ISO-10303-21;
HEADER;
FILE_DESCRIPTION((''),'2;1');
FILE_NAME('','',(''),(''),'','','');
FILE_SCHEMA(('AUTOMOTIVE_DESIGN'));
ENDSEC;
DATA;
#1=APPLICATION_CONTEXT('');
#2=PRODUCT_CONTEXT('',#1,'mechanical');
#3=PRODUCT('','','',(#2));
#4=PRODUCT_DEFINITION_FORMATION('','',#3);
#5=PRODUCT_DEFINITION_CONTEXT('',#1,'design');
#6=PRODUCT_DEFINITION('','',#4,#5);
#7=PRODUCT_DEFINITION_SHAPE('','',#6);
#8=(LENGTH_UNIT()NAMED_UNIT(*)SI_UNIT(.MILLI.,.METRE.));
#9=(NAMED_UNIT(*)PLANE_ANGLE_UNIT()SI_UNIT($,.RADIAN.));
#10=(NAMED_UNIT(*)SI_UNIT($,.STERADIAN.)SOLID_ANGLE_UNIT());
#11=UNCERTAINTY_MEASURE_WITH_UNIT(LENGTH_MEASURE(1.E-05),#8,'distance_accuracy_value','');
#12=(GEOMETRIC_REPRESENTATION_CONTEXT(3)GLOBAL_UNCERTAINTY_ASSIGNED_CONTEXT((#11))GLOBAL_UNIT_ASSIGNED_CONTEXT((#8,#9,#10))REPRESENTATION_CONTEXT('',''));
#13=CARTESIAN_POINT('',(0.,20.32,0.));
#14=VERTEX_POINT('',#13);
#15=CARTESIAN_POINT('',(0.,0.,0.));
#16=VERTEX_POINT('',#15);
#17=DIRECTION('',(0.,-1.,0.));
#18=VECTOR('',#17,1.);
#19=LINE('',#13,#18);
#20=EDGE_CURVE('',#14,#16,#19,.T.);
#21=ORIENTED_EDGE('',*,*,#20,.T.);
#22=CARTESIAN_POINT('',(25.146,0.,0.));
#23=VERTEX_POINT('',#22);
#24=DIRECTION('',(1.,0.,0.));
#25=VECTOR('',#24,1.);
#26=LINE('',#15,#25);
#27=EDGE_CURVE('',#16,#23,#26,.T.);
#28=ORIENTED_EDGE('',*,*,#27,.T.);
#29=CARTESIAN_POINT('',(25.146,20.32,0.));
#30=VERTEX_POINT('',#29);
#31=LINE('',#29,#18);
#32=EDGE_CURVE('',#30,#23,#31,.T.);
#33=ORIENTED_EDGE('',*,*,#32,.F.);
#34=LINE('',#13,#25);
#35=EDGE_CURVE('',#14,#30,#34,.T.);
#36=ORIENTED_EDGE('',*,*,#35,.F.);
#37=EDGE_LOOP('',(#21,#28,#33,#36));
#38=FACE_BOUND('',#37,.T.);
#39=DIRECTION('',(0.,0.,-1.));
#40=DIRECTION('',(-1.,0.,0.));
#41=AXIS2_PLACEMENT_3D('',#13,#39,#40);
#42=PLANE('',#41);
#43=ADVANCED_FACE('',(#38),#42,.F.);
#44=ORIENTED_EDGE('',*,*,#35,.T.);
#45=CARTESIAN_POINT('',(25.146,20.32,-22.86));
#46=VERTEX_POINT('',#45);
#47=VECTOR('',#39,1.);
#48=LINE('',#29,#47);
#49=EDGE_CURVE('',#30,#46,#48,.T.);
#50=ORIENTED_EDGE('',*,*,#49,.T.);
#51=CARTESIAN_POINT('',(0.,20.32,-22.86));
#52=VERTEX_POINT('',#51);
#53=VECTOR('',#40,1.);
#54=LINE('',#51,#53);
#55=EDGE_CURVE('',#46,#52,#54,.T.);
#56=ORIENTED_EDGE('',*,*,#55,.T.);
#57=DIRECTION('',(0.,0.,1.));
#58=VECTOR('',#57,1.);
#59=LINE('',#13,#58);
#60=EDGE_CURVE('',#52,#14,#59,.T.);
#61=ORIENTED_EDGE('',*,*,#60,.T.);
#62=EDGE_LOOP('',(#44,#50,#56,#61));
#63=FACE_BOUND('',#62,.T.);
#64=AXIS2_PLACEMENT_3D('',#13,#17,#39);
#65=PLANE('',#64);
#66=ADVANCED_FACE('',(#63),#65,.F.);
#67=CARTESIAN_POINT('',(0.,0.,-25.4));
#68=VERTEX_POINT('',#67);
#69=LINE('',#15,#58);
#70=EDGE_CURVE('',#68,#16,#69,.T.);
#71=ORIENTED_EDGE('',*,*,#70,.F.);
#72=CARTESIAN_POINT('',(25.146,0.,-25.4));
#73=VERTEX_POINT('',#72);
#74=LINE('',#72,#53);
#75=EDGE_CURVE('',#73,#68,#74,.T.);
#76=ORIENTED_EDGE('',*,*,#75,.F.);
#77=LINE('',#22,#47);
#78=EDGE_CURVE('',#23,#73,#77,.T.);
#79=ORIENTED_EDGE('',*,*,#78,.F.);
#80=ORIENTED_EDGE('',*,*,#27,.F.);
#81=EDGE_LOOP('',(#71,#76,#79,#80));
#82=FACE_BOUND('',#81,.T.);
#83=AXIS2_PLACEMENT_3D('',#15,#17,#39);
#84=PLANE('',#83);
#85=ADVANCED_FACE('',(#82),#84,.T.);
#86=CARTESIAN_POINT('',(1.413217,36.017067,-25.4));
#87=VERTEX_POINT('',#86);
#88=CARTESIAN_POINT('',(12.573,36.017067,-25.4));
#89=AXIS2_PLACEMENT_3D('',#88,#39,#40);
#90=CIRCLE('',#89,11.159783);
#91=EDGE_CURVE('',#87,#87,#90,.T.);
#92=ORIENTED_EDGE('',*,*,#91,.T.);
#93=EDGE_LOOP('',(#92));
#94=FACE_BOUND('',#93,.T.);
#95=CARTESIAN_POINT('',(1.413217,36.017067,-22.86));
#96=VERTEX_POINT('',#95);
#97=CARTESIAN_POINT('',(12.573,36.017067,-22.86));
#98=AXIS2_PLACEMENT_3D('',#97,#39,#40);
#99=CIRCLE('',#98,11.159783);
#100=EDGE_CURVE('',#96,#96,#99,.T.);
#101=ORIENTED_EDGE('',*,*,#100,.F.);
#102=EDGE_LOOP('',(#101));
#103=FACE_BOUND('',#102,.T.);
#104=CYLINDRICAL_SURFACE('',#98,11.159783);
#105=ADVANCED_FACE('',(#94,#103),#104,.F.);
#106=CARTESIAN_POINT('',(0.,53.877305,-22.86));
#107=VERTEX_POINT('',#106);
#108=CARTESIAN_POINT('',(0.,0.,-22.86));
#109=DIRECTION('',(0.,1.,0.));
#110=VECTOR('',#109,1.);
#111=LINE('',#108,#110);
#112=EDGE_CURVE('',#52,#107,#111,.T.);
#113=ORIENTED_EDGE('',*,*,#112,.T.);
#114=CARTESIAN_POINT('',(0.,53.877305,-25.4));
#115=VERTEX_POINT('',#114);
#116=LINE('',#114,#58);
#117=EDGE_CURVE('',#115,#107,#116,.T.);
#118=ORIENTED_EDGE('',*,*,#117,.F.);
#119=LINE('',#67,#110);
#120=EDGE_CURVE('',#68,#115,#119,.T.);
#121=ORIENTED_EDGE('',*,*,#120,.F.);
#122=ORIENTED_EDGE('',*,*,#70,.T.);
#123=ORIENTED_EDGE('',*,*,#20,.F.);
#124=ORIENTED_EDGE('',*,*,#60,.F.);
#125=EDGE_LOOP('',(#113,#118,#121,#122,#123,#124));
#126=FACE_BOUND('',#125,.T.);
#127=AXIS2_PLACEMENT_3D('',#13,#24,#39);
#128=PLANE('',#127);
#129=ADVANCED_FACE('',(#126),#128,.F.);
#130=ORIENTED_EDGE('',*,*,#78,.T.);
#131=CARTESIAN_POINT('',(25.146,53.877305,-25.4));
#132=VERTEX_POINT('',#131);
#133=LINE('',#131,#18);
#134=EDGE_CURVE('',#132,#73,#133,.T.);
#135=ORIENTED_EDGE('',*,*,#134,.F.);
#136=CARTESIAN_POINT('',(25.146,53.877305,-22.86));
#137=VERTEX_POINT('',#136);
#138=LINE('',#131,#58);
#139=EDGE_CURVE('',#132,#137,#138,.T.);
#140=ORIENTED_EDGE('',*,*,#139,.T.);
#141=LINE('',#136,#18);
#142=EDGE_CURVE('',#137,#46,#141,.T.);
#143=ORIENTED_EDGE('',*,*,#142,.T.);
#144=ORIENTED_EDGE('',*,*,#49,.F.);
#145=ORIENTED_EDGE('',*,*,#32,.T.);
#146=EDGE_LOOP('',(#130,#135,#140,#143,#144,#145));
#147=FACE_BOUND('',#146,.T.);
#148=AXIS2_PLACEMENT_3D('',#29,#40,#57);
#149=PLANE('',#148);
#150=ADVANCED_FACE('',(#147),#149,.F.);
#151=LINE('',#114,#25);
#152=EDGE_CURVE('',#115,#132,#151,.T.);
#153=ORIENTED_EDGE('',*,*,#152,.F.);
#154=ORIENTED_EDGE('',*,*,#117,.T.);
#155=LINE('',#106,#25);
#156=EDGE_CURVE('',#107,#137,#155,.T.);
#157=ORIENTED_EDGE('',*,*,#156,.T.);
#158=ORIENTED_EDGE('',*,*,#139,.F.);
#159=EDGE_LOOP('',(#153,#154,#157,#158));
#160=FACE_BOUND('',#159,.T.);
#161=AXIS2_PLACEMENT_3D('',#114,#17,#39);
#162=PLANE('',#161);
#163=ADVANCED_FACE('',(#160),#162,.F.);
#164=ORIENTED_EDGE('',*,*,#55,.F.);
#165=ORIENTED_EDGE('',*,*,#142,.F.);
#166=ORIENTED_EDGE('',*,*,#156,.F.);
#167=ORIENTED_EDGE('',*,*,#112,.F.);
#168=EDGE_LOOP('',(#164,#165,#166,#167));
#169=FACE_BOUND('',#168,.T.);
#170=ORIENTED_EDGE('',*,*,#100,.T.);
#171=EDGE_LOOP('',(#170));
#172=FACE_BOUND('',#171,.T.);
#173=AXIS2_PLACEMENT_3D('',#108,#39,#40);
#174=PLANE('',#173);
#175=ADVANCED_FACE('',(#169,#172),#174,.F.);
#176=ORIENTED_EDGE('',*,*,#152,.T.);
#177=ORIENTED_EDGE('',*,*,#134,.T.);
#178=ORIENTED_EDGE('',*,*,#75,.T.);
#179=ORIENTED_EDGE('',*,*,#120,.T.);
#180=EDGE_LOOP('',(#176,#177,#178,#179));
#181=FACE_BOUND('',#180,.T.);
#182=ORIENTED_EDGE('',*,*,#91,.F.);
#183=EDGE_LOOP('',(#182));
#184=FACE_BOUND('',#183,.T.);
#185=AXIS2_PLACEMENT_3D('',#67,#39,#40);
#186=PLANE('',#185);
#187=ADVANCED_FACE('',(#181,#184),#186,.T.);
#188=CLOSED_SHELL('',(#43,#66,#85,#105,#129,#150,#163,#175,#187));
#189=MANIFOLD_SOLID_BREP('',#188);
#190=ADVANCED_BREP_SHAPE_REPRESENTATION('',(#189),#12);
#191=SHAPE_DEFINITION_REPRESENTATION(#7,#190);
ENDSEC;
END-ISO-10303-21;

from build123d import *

# Parameters (mm, degrees)
SKETCH1_W           = 25.146
SKETCH1_H           = 22.86
BOSS_EXTRUDE1_DEPTH = 20.32
SKETCH2_W           = 25.146
SKETCH2_H           = 53.877304538
BOSS_EXTRUDE2_DEPTH = 2.54
SKETCH4_R           = 11.159783479
CUT_EXTRUDE1_DEPTH  = 2.54


with BuildPart() as part:
    # Sketch1 → Boss-Extrude1 (new body)
    with BuildSketch(Plane(origin=(0, 0, 0), x_dir=(1, 0, 0), z_dir=(0, 1, 0))):
        with Locations((12.573, 11.43)):
            Rectangle(SKETCH1_W, SKETCH1_H)
    extrude(amount=BOSS_EXTRUDE1_DEPTH)

    # Sketch2 → Boss-Extrude2 (add)
    with BuildSketch(Plane(origin=(0, 0, -22.86), x_dir=(-1, 0, 0), z_dir=(0, 0, -1))):
        with Locations((-12.573, 26.938652269)):
            Rectangle(SKETCH2_W, SKETCH2_H)
    extrude(amount=BOSS_EXTRUDE2_DEPTH)

    # Sketch4 → Cut-Extrude1 (cut)
    with BuildSketch(Plane(origin=(0, 0, -25.4), x_dir=(-1, 0, 0), z_dir=(0, 0, -1))):
        with Locations((-12.573, 36.017066526)):
            Circle(SKETCH4_R)
    extrude(amount=-CUT_EXTRUDE1_DEPTH, mode=Mode.SUBTRACT)


solid = part.part
